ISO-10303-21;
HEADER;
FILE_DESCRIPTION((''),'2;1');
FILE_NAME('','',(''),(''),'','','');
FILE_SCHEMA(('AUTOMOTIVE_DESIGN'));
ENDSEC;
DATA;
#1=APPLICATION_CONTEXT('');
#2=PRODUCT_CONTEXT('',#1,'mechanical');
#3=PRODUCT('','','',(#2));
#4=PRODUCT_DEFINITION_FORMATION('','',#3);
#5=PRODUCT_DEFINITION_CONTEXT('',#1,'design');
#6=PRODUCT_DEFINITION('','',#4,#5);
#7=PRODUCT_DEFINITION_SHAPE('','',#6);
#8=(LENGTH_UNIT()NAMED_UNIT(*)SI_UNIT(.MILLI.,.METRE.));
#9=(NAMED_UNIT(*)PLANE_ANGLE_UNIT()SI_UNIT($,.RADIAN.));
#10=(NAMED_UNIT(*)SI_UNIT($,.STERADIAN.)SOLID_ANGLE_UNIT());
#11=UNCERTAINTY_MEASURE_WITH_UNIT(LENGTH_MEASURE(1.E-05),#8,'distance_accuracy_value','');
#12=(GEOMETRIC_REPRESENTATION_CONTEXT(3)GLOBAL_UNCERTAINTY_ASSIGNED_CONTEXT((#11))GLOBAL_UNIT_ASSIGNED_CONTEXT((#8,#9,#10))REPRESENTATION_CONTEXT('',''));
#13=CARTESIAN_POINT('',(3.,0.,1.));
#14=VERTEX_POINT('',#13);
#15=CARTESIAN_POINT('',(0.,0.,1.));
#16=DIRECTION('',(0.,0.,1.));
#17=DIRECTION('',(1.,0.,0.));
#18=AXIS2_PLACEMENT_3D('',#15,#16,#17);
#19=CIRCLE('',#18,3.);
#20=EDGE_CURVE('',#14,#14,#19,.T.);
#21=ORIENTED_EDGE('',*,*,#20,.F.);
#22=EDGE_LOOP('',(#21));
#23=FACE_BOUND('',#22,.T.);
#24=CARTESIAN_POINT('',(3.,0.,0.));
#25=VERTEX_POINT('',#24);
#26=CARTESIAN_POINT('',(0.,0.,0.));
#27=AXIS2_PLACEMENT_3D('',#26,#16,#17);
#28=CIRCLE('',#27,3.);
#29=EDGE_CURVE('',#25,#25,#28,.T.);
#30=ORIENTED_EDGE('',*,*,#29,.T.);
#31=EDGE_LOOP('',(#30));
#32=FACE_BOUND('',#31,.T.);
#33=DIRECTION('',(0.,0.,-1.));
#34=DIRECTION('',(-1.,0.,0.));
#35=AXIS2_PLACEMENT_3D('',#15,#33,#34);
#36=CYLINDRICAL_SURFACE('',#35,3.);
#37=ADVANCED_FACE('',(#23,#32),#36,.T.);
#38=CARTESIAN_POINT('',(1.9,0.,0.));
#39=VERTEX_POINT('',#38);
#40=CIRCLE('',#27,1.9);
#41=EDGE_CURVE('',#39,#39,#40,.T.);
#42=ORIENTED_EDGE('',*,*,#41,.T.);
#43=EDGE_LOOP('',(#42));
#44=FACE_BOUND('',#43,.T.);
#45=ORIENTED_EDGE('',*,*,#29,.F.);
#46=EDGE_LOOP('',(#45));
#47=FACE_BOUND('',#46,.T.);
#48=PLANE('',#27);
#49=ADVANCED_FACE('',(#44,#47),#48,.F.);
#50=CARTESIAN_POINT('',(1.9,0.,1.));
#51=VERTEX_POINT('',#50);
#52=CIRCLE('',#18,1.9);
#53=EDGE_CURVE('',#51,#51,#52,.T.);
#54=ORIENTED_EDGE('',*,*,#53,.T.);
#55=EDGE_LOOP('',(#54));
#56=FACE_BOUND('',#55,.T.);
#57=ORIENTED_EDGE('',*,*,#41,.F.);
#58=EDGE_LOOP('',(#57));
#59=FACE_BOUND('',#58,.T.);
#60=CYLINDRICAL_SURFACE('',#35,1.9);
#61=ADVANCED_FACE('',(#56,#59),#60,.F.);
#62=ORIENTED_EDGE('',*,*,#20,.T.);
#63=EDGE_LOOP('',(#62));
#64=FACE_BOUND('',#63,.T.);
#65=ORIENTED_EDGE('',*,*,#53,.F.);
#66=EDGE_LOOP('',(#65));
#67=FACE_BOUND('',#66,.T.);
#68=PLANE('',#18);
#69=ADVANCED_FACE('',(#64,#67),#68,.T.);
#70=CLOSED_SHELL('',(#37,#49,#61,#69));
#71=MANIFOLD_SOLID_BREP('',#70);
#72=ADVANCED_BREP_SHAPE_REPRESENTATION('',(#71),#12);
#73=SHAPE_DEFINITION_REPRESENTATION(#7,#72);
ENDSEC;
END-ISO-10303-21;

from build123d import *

# Parameters (mm, degrees)
SKETCH_1_R      = 3
SKETCH_1_R_2    = 1.9
EXTRUDE_1_DEPTH = 1


with BuildPart() as part:
    # Эскиз1 → Бобышка-Вытянуть1 (new body)
    with BuildSketch(Plane.XY):
        Circle(SKETCH_1_R)
        Circle(SKETCH_1_R_2, mode=Mode.SUBTRACT)
    extrude(amount=EXTRUDE_1_DEPTH)


solid = part.part
